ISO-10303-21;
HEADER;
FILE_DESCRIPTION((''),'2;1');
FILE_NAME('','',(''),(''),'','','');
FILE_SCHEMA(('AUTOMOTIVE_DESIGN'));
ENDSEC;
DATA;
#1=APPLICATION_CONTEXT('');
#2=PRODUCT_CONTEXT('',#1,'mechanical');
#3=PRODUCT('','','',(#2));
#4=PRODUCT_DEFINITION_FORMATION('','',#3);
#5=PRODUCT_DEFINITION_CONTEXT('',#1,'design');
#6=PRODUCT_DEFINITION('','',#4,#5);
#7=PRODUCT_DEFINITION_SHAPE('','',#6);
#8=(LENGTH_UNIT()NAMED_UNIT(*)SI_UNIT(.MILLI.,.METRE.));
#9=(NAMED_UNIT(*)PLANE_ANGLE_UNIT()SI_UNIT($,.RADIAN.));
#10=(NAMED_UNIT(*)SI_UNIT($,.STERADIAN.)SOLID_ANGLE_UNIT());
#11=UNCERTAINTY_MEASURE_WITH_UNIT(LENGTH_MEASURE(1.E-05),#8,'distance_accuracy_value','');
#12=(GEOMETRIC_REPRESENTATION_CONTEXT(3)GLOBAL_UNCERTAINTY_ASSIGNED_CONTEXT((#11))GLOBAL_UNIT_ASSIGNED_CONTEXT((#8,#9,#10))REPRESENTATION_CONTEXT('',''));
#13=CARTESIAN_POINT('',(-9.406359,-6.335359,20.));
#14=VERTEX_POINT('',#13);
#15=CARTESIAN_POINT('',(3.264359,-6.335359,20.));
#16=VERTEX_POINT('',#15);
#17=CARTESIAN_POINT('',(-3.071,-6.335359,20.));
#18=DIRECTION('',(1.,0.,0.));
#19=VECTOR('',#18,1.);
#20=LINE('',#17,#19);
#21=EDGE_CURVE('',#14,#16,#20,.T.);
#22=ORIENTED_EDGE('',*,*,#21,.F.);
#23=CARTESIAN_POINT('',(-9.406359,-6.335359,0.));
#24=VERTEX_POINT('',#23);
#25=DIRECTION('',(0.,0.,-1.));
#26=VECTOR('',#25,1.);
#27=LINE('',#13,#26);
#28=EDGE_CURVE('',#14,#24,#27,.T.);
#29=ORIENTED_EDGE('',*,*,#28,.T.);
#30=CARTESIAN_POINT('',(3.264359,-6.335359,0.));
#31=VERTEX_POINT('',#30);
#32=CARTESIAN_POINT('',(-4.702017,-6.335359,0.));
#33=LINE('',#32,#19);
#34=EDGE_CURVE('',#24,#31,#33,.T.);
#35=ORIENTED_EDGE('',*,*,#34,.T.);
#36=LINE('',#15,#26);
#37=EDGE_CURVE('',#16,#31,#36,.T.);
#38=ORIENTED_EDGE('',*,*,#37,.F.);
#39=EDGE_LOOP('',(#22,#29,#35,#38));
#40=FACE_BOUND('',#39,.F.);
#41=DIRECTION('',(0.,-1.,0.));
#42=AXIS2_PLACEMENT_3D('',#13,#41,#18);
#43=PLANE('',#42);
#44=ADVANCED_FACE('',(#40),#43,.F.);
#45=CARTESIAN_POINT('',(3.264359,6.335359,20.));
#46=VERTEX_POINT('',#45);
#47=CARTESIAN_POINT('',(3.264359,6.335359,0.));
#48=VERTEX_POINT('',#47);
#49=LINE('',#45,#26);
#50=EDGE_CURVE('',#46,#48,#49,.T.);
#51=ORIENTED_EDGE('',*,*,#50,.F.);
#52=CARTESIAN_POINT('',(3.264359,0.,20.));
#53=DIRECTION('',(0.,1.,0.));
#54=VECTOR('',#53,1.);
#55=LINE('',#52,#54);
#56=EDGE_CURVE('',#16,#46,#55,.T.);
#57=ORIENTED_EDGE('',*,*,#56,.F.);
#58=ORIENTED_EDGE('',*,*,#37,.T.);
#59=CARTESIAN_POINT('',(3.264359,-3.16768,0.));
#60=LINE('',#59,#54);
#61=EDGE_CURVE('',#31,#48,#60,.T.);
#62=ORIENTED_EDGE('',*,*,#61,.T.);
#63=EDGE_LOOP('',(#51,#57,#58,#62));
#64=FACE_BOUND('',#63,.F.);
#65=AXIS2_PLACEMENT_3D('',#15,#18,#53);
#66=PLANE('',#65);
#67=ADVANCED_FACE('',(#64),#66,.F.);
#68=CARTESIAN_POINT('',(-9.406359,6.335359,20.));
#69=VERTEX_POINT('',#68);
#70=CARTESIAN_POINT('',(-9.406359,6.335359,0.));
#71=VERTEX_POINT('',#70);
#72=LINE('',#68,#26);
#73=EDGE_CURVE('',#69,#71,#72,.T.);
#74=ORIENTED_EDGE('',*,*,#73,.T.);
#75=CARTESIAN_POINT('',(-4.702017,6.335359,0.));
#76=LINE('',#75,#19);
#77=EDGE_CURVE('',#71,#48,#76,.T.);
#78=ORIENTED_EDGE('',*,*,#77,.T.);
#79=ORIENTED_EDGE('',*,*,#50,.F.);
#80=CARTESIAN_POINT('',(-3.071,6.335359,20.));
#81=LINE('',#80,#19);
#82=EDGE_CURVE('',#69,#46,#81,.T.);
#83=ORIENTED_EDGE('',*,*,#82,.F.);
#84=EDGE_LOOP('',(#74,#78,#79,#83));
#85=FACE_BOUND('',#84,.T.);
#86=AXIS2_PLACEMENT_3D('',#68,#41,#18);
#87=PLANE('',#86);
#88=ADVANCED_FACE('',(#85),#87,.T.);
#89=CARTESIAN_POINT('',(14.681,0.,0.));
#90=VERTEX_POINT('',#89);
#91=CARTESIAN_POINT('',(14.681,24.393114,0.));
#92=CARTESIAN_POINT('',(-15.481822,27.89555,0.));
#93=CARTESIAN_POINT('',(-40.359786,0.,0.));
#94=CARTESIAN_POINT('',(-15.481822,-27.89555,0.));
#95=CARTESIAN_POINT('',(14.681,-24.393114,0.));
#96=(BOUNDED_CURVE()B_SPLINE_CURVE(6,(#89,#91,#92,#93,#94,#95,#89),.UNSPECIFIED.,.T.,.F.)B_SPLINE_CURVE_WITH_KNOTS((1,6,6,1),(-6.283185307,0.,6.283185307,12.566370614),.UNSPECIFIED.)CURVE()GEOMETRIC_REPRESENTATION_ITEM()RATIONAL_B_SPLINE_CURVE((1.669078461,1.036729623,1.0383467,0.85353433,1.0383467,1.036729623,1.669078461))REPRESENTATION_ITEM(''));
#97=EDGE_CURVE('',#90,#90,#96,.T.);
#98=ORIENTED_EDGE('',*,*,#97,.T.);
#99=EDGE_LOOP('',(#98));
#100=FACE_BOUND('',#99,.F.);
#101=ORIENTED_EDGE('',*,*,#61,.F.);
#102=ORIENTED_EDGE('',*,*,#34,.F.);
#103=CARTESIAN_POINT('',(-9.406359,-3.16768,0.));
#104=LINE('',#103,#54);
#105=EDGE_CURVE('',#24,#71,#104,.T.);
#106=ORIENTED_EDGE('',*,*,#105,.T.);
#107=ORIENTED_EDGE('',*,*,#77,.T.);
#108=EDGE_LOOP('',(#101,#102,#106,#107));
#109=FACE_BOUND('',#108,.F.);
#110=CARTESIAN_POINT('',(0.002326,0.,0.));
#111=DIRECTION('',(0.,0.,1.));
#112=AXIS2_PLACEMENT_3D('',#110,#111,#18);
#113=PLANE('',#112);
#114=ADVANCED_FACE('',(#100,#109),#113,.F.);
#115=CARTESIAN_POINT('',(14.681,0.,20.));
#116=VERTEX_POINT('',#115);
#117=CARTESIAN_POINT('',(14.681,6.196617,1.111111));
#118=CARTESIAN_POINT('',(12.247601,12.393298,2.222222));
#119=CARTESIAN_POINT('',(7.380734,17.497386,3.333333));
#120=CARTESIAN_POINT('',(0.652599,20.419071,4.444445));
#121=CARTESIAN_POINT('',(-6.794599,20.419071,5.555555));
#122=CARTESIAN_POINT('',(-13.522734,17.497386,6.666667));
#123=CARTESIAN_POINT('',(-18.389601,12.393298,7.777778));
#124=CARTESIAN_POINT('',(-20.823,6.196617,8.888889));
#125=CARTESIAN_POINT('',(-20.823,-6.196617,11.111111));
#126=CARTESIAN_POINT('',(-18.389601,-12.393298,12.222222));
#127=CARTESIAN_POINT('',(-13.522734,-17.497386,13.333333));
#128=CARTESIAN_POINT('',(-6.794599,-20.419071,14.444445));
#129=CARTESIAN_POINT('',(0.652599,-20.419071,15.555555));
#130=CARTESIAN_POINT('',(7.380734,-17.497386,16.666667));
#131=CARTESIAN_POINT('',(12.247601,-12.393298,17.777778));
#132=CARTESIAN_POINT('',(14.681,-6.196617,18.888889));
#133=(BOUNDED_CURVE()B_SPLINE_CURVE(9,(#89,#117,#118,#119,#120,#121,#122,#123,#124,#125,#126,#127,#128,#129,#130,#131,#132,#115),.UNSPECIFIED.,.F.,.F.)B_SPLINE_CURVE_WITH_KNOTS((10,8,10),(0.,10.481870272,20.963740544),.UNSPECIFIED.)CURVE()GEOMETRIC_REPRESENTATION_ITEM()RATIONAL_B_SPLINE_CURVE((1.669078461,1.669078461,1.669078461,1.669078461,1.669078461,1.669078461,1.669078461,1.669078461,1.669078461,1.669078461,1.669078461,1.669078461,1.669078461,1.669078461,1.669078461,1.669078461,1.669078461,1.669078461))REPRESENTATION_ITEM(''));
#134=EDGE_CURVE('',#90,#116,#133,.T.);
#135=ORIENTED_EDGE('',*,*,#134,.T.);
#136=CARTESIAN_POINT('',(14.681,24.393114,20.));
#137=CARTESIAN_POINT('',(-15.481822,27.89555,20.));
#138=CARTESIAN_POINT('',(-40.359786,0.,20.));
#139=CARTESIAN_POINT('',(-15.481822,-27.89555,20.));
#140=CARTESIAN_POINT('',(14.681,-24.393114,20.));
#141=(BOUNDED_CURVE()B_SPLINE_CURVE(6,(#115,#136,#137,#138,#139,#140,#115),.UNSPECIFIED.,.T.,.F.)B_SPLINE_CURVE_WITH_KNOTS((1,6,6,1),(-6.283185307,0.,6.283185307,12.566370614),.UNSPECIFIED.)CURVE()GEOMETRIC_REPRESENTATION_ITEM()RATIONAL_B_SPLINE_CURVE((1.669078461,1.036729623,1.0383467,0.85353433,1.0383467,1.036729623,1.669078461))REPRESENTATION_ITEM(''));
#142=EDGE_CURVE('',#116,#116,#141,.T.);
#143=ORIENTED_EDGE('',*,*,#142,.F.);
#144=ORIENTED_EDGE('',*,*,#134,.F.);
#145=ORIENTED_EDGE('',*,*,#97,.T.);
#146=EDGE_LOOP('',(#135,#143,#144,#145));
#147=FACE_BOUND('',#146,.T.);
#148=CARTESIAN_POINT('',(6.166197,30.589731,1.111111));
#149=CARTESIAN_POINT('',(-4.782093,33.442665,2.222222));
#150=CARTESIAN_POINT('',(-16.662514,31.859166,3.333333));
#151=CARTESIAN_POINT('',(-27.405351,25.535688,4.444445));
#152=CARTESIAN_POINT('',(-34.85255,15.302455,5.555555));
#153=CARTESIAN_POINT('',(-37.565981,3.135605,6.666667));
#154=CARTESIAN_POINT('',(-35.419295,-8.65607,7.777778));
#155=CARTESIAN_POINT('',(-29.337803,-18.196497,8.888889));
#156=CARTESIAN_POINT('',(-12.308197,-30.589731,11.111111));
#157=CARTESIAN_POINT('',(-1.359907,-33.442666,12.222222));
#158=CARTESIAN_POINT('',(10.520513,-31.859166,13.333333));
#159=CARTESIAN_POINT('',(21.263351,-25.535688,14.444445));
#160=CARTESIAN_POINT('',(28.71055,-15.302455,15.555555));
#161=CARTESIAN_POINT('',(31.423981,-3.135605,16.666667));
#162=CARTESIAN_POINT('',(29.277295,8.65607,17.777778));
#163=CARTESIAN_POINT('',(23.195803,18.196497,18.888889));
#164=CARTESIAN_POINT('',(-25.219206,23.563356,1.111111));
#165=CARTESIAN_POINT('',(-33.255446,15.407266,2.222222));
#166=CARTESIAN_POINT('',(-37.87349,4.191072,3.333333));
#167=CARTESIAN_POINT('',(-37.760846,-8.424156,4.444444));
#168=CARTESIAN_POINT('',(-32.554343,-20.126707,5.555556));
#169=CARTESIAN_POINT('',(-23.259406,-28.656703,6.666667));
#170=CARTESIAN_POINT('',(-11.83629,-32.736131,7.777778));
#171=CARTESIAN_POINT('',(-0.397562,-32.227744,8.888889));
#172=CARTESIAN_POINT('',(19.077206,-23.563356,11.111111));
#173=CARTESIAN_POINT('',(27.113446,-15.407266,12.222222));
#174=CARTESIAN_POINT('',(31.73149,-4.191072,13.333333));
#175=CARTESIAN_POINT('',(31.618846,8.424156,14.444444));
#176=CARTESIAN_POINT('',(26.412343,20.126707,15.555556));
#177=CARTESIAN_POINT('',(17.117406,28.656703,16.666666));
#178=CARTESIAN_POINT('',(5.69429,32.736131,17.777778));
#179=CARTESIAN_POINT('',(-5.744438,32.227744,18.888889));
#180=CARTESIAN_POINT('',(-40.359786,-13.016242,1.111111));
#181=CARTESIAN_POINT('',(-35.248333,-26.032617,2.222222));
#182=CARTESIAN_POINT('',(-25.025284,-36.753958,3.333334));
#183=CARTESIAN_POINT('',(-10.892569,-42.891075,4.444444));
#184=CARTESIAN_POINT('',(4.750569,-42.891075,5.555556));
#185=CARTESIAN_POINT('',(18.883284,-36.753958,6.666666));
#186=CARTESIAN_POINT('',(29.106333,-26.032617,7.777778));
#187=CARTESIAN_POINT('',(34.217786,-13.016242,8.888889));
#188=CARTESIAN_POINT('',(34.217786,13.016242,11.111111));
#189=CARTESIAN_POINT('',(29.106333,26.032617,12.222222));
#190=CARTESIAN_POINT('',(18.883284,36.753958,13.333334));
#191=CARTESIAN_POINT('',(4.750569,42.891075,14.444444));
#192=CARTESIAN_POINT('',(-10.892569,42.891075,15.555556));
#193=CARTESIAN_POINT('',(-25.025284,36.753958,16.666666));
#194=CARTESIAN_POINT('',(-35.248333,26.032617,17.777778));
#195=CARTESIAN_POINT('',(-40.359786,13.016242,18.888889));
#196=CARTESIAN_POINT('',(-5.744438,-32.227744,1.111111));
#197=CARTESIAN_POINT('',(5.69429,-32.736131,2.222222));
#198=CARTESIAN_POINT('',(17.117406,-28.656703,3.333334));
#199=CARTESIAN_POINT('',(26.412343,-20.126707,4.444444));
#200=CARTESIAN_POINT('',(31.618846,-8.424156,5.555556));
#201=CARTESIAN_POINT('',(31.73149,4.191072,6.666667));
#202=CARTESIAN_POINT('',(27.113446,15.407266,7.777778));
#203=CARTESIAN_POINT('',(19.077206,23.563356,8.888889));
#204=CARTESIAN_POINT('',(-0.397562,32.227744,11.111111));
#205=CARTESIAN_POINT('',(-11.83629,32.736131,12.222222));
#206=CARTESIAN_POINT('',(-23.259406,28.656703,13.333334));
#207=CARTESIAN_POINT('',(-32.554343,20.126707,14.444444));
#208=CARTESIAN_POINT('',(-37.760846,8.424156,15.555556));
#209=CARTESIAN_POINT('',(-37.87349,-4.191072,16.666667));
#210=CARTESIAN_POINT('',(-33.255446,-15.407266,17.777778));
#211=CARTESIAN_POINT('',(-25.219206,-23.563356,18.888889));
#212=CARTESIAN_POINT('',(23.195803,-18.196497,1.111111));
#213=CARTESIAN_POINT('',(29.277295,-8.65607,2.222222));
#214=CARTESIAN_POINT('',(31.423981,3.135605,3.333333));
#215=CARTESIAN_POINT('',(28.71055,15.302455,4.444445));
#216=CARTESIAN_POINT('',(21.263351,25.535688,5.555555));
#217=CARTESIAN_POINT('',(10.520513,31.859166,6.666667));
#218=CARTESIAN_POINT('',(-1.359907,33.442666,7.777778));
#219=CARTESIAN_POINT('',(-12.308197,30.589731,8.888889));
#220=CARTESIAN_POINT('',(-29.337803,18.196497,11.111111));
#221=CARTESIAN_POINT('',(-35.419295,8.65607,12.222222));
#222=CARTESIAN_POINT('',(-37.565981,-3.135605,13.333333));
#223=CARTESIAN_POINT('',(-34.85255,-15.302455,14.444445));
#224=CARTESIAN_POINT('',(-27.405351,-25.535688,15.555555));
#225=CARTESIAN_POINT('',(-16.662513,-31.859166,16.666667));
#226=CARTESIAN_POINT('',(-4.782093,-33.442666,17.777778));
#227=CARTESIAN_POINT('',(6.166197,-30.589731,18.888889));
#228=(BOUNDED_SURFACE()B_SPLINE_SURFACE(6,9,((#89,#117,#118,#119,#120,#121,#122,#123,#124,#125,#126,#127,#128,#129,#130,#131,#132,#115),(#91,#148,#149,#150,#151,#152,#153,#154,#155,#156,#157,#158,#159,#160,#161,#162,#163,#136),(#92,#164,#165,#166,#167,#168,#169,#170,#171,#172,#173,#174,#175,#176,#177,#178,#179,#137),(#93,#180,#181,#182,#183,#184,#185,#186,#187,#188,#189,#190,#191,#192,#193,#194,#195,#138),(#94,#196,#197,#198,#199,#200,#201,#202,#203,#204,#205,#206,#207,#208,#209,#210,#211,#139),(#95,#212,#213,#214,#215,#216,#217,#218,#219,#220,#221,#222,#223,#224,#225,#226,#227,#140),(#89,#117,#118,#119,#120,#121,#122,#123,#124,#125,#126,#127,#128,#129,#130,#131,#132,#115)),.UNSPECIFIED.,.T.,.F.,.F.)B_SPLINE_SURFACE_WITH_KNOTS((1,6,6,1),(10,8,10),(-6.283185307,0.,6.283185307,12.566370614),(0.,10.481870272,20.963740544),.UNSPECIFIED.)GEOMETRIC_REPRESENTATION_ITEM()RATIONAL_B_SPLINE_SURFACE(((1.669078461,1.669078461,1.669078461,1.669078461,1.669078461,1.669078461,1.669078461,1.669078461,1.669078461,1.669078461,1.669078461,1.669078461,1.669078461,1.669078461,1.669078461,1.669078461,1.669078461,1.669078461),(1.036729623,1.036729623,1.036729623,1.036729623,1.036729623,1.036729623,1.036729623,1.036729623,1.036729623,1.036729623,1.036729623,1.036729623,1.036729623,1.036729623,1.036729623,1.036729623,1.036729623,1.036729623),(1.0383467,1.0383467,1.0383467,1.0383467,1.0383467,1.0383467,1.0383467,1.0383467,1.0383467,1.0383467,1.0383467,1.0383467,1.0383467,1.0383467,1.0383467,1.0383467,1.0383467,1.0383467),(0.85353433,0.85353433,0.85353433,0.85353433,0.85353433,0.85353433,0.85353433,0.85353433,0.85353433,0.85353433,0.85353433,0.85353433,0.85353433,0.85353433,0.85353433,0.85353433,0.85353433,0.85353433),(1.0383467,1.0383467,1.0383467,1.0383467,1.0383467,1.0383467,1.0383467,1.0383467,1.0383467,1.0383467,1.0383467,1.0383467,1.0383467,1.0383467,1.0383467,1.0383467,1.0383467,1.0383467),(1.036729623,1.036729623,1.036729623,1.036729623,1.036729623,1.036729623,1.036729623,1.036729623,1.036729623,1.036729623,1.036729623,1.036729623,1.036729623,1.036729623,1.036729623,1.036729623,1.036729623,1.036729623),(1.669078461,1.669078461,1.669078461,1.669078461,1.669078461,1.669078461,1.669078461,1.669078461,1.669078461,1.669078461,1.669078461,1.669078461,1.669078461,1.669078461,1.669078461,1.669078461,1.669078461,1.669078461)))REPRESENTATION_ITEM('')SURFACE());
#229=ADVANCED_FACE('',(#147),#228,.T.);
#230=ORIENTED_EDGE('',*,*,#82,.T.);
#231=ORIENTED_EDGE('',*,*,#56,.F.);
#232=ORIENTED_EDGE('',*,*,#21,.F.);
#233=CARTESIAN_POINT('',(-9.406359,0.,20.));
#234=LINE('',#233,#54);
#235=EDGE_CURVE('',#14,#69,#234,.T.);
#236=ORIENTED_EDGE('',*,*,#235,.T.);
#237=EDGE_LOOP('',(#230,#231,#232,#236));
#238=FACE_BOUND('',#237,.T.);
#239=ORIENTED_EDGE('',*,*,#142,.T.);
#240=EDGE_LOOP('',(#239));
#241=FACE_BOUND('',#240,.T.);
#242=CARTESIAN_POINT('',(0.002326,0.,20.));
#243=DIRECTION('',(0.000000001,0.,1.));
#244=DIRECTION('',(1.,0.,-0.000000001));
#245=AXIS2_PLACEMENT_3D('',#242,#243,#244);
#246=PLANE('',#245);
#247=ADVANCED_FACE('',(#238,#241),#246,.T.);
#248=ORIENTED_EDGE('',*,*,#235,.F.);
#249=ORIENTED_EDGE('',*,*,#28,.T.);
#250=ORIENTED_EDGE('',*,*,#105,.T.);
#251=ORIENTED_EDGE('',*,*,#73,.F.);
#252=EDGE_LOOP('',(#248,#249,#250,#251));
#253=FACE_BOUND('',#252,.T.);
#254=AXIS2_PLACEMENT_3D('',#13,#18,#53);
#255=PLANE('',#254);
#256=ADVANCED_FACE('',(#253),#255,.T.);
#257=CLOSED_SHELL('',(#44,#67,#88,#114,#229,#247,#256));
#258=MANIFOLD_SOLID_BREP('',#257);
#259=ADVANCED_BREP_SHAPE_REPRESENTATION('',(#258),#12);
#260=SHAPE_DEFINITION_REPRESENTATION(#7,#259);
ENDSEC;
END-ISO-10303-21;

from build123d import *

# Parameters (mm, degrees)
AUSTRAGUNG1_PITCH               = 20
AUSTRAGUNG1_HEIGHT              = 20
AUSTRAGUNG1_RADIUS              = 4
SKIZZE2_R                       = 14.681
SKIZZE3_2_R                     = 4
SCHNITT_LINEAR_AUSTRAGEN2_DEPTH = 27
SKIZZE8_W                       = 12.67071878
SKIZZE8_H                       = 12.67071878
SCHNITT_LINEAR_AUSTRAGEN3_DEPTH = 25


with BuildPart() as part:
    # Austragung1: sweep along a helix
    with BuildLine() as austragung1_path:
        Helix(AUSTRAGUNG1_PITCH, AUSTRAGUNG1_HEIGHT, AUSTRAGUNG1_RADIUS, center=(-3.071, 0, 0), direction=(0, 0, 1))
    # Skizze2 → Austragung1 (sweep)
    with BuildSketch(Plane.XY):
        Circle(SKIZZE2_R)
    sweep(path=austragung1_path.line, is_frenet=True)

    # Skizze3<2> → Schnitt-Linear austragen2 (cut)
    with BuildSketch(Plane.XY):
        with Locations(Location((-3.071, 0, 0), (0, 0, 180))):
            Circle(SKIZZE3_2_R)
    extrude(amount=SCHNITT_LINEAR_AUSTRAGEN2_DEPTH, mode=Mode.SUBTRACT)

    # Skizze8 → Schnitt-Linear austragen3 (cut)
    with BuildSketch(Plane.XY.offset(20)):
        with Locations((-3.071, 0)):
            Rectangle(SKIZZE8_W, SKIZZE8_H)
    extrude(amount=-SCHNITT_LINEAR_AUSTRAGEN3_DEPTH, mode=Mode.SUBTRACT)


solid = part.part
